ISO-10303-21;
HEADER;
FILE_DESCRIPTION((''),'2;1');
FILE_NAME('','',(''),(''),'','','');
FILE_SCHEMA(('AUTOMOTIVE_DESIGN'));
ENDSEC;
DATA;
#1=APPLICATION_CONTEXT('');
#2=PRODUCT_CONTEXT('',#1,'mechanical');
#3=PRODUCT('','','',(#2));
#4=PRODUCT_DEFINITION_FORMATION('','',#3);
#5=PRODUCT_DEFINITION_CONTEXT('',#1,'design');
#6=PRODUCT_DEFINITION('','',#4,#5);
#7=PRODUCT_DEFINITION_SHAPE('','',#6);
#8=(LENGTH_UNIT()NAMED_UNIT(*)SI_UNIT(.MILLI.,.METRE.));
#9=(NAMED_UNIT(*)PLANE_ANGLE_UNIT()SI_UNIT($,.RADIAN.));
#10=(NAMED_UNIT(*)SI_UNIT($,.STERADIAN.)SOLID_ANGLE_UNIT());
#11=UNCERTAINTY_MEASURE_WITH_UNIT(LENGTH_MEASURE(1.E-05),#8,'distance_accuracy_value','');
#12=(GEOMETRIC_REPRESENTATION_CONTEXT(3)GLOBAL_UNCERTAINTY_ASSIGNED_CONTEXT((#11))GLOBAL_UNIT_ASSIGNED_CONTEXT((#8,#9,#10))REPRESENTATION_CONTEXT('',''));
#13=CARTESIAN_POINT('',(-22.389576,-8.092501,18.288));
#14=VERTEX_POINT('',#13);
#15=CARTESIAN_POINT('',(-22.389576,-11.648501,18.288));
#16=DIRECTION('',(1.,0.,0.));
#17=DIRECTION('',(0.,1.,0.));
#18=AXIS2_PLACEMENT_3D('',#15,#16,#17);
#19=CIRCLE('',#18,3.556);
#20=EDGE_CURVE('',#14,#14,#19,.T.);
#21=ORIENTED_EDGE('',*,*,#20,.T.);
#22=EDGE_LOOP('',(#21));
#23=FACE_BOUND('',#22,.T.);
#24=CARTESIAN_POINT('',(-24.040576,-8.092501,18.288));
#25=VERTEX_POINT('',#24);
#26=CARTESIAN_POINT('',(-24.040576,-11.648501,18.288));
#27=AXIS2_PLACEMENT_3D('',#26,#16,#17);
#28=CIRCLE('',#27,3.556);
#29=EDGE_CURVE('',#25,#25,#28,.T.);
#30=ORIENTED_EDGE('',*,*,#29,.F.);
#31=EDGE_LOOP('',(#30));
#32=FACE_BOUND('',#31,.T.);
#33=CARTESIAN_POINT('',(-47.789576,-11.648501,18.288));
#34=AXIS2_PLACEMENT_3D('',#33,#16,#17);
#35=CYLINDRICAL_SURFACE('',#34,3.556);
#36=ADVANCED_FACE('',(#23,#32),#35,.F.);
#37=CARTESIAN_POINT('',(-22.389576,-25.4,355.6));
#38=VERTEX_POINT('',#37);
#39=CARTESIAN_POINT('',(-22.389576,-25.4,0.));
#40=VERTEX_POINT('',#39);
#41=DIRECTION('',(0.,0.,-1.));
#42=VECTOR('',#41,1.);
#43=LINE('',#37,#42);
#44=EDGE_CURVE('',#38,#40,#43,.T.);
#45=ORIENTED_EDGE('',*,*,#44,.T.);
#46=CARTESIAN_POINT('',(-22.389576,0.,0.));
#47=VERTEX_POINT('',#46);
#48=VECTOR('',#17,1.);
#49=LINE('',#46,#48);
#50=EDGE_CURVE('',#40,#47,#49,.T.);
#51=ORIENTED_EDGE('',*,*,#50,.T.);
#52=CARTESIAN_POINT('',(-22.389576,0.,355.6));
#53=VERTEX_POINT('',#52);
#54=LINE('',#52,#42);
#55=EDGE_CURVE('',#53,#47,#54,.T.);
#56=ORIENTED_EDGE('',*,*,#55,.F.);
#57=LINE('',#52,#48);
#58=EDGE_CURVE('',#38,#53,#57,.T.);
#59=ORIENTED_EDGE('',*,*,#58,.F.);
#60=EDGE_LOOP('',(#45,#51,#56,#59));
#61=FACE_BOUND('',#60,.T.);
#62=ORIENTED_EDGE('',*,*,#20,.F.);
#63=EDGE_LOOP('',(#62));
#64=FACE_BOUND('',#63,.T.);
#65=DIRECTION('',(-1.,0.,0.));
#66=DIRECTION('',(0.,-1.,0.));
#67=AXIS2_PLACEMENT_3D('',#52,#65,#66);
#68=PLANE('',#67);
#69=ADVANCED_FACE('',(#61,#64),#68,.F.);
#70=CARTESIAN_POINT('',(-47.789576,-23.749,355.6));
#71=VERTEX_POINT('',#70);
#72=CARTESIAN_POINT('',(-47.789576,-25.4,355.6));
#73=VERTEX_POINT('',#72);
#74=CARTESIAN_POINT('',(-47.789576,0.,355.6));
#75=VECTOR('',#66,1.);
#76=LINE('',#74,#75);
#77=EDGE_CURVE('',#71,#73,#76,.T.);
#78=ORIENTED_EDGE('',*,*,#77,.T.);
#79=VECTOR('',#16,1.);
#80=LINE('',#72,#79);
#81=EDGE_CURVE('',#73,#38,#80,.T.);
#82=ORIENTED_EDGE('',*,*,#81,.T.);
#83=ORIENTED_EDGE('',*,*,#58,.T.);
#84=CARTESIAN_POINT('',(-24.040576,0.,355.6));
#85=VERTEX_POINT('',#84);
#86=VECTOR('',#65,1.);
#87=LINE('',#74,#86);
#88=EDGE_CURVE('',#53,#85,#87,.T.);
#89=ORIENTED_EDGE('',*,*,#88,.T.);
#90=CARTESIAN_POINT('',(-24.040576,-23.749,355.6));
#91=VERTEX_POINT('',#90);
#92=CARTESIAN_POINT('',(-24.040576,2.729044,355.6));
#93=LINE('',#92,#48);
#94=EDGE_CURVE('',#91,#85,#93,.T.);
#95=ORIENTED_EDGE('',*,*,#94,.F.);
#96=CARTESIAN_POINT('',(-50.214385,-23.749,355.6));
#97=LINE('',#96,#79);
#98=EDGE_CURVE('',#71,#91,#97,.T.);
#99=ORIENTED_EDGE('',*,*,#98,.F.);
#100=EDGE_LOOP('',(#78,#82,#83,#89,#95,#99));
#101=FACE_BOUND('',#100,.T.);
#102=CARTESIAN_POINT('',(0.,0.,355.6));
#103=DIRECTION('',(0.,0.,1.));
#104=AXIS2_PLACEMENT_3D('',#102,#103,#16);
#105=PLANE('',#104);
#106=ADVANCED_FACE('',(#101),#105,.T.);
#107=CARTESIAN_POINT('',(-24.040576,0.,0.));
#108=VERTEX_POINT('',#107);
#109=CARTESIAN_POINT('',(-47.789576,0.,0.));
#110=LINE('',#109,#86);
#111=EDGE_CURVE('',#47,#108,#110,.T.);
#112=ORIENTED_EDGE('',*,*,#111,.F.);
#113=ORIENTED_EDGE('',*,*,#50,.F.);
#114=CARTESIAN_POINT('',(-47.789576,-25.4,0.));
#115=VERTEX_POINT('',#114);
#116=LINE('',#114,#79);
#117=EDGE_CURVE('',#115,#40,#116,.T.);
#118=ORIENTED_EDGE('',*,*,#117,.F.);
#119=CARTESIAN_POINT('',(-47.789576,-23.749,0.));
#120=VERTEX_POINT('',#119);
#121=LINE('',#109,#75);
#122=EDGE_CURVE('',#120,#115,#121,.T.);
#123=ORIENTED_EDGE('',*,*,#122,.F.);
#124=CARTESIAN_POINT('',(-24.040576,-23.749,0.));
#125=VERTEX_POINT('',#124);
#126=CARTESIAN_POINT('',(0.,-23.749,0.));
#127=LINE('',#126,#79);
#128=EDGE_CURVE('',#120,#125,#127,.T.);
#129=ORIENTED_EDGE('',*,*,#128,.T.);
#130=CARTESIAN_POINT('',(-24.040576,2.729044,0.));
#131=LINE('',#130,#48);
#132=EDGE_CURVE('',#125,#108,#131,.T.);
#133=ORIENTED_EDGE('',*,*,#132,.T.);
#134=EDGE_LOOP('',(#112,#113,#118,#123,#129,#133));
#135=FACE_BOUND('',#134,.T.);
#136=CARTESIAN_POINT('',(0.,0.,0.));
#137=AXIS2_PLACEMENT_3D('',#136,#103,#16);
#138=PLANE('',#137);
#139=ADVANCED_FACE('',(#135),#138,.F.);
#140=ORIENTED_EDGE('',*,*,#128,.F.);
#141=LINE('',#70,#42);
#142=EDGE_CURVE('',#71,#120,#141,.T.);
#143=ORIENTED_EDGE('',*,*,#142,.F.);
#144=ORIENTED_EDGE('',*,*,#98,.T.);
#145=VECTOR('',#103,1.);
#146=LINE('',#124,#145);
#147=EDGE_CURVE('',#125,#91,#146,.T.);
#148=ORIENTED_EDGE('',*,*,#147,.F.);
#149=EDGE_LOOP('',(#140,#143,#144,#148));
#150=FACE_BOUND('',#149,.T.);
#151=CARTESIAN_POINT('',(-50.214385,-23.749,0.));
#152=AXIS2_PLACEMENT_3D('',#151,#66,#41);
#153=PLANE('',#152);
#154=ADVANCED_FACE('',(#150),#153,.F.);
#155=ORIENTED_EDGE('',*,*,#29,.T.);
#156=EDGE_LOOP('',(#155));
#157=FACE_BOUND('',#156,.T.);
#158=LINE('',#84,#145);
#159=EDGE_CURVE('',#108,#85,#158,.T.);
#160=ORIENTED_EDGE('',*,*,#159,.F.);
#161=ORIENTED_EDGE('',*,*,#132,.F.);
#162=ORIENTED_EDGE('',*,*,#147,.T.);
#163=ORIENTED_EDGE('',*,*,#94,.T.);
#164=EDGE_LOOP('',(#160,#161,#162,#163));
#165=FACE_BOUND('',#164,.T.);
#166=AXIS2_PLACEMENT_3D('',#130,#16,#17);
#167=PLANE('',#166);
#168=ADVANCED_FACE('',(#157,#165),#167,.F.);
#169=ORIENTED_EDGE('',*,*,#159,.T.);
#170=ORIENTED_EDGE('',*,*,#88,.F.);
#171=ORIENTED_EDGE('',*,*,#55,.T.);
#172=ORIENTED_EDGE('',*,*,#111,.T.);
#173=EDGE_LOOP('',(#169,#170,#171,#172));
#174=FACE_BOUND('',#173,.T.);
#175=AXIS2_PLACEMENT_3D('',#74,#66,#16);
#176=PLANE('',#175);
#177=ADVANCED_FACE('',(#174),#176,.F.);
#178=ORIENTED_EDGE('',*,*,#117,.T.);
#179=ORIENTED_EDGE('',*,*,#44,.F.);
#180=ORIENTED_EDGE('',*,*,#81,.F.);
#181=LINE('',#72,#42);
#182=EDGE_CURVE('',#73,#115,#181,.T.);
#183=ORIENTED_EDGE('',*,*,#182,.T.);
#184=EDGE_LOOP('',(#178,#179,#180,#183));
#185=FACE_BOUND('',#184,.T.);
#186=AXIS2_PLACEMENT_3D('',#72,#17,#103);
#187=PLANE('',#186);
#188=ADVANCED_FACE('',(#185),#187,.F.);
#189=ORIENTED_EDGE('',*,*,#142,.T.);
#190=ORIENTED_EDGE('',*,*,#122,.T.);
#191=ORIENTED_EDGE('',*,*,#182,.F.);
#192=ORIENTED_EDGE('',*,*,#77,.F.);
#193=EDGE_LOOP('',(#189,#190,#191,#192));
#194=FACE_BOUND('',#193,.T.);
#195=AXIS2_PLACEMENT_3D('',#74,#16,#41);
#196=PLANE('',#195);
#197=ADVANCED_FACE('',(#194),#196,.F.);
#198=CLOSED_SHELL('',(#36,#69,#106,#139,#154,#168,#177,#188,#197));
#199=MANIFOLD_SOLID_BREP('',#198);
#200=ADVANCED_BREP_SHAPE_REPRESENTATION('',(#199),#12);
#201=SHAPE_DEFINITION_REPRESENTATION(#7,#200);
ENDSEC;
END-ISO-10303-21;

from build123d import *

# Parameters (mm, degrees)
SKETCH1_W           = 25.4
SKETCH1_H           = 25.4
BOSS_EXTRUDE1_DEPTH = 355.6
SKETCH3_W           = 26.173809645
SKETCH3_H           = 26.478044322
CUT_EXTRUDE2_DEPTH  = 355.6
SKETCH5_R           = 3.556
CUT_EXTRUDE3_DEPTH  = 358.409680899


with BuildPart() as part:
    # Sketch1 → Boss-Extrude1 (new body)
    with BuildSketch(Plane.XY):
        with Locations((-35.089575682, -12.7)):
            Rectangle(SKETCH1_W, SKETCH1_H)
    extrude(amount=BOSS_EXTRUDE1_DEPTH)

    # Sketch3 → Cut-Extrude2 (cut)
    with BuildSketch(Plane.XY.offset(355.6)):
        with Locations((-37.127480504, -10.509977839)):
            Rectangle(SKETCH3_W, SKETCH3_H)
    extrude(amount=-CUT_EXTRUDE2_DEPTH, mode=Mode.SUBTRACT)

    # Sketch5 → Cut-Extrude3 (cut, through all)
    with BuildSketch(Plane(origin=(-22.389575682, 0, 0), x_dir=(0, 0, -1), z_dir=(1, 0, 0))):
        with Locations(Location((-18.288, -11.648501303, 0), (0, 0, 90))):
            Circle(SKETCH5_R)
    extrude(amount=-CUT_EXTRUDE3_DEPTH, mode=Mode.SUBTRACT)


solid = part.part
